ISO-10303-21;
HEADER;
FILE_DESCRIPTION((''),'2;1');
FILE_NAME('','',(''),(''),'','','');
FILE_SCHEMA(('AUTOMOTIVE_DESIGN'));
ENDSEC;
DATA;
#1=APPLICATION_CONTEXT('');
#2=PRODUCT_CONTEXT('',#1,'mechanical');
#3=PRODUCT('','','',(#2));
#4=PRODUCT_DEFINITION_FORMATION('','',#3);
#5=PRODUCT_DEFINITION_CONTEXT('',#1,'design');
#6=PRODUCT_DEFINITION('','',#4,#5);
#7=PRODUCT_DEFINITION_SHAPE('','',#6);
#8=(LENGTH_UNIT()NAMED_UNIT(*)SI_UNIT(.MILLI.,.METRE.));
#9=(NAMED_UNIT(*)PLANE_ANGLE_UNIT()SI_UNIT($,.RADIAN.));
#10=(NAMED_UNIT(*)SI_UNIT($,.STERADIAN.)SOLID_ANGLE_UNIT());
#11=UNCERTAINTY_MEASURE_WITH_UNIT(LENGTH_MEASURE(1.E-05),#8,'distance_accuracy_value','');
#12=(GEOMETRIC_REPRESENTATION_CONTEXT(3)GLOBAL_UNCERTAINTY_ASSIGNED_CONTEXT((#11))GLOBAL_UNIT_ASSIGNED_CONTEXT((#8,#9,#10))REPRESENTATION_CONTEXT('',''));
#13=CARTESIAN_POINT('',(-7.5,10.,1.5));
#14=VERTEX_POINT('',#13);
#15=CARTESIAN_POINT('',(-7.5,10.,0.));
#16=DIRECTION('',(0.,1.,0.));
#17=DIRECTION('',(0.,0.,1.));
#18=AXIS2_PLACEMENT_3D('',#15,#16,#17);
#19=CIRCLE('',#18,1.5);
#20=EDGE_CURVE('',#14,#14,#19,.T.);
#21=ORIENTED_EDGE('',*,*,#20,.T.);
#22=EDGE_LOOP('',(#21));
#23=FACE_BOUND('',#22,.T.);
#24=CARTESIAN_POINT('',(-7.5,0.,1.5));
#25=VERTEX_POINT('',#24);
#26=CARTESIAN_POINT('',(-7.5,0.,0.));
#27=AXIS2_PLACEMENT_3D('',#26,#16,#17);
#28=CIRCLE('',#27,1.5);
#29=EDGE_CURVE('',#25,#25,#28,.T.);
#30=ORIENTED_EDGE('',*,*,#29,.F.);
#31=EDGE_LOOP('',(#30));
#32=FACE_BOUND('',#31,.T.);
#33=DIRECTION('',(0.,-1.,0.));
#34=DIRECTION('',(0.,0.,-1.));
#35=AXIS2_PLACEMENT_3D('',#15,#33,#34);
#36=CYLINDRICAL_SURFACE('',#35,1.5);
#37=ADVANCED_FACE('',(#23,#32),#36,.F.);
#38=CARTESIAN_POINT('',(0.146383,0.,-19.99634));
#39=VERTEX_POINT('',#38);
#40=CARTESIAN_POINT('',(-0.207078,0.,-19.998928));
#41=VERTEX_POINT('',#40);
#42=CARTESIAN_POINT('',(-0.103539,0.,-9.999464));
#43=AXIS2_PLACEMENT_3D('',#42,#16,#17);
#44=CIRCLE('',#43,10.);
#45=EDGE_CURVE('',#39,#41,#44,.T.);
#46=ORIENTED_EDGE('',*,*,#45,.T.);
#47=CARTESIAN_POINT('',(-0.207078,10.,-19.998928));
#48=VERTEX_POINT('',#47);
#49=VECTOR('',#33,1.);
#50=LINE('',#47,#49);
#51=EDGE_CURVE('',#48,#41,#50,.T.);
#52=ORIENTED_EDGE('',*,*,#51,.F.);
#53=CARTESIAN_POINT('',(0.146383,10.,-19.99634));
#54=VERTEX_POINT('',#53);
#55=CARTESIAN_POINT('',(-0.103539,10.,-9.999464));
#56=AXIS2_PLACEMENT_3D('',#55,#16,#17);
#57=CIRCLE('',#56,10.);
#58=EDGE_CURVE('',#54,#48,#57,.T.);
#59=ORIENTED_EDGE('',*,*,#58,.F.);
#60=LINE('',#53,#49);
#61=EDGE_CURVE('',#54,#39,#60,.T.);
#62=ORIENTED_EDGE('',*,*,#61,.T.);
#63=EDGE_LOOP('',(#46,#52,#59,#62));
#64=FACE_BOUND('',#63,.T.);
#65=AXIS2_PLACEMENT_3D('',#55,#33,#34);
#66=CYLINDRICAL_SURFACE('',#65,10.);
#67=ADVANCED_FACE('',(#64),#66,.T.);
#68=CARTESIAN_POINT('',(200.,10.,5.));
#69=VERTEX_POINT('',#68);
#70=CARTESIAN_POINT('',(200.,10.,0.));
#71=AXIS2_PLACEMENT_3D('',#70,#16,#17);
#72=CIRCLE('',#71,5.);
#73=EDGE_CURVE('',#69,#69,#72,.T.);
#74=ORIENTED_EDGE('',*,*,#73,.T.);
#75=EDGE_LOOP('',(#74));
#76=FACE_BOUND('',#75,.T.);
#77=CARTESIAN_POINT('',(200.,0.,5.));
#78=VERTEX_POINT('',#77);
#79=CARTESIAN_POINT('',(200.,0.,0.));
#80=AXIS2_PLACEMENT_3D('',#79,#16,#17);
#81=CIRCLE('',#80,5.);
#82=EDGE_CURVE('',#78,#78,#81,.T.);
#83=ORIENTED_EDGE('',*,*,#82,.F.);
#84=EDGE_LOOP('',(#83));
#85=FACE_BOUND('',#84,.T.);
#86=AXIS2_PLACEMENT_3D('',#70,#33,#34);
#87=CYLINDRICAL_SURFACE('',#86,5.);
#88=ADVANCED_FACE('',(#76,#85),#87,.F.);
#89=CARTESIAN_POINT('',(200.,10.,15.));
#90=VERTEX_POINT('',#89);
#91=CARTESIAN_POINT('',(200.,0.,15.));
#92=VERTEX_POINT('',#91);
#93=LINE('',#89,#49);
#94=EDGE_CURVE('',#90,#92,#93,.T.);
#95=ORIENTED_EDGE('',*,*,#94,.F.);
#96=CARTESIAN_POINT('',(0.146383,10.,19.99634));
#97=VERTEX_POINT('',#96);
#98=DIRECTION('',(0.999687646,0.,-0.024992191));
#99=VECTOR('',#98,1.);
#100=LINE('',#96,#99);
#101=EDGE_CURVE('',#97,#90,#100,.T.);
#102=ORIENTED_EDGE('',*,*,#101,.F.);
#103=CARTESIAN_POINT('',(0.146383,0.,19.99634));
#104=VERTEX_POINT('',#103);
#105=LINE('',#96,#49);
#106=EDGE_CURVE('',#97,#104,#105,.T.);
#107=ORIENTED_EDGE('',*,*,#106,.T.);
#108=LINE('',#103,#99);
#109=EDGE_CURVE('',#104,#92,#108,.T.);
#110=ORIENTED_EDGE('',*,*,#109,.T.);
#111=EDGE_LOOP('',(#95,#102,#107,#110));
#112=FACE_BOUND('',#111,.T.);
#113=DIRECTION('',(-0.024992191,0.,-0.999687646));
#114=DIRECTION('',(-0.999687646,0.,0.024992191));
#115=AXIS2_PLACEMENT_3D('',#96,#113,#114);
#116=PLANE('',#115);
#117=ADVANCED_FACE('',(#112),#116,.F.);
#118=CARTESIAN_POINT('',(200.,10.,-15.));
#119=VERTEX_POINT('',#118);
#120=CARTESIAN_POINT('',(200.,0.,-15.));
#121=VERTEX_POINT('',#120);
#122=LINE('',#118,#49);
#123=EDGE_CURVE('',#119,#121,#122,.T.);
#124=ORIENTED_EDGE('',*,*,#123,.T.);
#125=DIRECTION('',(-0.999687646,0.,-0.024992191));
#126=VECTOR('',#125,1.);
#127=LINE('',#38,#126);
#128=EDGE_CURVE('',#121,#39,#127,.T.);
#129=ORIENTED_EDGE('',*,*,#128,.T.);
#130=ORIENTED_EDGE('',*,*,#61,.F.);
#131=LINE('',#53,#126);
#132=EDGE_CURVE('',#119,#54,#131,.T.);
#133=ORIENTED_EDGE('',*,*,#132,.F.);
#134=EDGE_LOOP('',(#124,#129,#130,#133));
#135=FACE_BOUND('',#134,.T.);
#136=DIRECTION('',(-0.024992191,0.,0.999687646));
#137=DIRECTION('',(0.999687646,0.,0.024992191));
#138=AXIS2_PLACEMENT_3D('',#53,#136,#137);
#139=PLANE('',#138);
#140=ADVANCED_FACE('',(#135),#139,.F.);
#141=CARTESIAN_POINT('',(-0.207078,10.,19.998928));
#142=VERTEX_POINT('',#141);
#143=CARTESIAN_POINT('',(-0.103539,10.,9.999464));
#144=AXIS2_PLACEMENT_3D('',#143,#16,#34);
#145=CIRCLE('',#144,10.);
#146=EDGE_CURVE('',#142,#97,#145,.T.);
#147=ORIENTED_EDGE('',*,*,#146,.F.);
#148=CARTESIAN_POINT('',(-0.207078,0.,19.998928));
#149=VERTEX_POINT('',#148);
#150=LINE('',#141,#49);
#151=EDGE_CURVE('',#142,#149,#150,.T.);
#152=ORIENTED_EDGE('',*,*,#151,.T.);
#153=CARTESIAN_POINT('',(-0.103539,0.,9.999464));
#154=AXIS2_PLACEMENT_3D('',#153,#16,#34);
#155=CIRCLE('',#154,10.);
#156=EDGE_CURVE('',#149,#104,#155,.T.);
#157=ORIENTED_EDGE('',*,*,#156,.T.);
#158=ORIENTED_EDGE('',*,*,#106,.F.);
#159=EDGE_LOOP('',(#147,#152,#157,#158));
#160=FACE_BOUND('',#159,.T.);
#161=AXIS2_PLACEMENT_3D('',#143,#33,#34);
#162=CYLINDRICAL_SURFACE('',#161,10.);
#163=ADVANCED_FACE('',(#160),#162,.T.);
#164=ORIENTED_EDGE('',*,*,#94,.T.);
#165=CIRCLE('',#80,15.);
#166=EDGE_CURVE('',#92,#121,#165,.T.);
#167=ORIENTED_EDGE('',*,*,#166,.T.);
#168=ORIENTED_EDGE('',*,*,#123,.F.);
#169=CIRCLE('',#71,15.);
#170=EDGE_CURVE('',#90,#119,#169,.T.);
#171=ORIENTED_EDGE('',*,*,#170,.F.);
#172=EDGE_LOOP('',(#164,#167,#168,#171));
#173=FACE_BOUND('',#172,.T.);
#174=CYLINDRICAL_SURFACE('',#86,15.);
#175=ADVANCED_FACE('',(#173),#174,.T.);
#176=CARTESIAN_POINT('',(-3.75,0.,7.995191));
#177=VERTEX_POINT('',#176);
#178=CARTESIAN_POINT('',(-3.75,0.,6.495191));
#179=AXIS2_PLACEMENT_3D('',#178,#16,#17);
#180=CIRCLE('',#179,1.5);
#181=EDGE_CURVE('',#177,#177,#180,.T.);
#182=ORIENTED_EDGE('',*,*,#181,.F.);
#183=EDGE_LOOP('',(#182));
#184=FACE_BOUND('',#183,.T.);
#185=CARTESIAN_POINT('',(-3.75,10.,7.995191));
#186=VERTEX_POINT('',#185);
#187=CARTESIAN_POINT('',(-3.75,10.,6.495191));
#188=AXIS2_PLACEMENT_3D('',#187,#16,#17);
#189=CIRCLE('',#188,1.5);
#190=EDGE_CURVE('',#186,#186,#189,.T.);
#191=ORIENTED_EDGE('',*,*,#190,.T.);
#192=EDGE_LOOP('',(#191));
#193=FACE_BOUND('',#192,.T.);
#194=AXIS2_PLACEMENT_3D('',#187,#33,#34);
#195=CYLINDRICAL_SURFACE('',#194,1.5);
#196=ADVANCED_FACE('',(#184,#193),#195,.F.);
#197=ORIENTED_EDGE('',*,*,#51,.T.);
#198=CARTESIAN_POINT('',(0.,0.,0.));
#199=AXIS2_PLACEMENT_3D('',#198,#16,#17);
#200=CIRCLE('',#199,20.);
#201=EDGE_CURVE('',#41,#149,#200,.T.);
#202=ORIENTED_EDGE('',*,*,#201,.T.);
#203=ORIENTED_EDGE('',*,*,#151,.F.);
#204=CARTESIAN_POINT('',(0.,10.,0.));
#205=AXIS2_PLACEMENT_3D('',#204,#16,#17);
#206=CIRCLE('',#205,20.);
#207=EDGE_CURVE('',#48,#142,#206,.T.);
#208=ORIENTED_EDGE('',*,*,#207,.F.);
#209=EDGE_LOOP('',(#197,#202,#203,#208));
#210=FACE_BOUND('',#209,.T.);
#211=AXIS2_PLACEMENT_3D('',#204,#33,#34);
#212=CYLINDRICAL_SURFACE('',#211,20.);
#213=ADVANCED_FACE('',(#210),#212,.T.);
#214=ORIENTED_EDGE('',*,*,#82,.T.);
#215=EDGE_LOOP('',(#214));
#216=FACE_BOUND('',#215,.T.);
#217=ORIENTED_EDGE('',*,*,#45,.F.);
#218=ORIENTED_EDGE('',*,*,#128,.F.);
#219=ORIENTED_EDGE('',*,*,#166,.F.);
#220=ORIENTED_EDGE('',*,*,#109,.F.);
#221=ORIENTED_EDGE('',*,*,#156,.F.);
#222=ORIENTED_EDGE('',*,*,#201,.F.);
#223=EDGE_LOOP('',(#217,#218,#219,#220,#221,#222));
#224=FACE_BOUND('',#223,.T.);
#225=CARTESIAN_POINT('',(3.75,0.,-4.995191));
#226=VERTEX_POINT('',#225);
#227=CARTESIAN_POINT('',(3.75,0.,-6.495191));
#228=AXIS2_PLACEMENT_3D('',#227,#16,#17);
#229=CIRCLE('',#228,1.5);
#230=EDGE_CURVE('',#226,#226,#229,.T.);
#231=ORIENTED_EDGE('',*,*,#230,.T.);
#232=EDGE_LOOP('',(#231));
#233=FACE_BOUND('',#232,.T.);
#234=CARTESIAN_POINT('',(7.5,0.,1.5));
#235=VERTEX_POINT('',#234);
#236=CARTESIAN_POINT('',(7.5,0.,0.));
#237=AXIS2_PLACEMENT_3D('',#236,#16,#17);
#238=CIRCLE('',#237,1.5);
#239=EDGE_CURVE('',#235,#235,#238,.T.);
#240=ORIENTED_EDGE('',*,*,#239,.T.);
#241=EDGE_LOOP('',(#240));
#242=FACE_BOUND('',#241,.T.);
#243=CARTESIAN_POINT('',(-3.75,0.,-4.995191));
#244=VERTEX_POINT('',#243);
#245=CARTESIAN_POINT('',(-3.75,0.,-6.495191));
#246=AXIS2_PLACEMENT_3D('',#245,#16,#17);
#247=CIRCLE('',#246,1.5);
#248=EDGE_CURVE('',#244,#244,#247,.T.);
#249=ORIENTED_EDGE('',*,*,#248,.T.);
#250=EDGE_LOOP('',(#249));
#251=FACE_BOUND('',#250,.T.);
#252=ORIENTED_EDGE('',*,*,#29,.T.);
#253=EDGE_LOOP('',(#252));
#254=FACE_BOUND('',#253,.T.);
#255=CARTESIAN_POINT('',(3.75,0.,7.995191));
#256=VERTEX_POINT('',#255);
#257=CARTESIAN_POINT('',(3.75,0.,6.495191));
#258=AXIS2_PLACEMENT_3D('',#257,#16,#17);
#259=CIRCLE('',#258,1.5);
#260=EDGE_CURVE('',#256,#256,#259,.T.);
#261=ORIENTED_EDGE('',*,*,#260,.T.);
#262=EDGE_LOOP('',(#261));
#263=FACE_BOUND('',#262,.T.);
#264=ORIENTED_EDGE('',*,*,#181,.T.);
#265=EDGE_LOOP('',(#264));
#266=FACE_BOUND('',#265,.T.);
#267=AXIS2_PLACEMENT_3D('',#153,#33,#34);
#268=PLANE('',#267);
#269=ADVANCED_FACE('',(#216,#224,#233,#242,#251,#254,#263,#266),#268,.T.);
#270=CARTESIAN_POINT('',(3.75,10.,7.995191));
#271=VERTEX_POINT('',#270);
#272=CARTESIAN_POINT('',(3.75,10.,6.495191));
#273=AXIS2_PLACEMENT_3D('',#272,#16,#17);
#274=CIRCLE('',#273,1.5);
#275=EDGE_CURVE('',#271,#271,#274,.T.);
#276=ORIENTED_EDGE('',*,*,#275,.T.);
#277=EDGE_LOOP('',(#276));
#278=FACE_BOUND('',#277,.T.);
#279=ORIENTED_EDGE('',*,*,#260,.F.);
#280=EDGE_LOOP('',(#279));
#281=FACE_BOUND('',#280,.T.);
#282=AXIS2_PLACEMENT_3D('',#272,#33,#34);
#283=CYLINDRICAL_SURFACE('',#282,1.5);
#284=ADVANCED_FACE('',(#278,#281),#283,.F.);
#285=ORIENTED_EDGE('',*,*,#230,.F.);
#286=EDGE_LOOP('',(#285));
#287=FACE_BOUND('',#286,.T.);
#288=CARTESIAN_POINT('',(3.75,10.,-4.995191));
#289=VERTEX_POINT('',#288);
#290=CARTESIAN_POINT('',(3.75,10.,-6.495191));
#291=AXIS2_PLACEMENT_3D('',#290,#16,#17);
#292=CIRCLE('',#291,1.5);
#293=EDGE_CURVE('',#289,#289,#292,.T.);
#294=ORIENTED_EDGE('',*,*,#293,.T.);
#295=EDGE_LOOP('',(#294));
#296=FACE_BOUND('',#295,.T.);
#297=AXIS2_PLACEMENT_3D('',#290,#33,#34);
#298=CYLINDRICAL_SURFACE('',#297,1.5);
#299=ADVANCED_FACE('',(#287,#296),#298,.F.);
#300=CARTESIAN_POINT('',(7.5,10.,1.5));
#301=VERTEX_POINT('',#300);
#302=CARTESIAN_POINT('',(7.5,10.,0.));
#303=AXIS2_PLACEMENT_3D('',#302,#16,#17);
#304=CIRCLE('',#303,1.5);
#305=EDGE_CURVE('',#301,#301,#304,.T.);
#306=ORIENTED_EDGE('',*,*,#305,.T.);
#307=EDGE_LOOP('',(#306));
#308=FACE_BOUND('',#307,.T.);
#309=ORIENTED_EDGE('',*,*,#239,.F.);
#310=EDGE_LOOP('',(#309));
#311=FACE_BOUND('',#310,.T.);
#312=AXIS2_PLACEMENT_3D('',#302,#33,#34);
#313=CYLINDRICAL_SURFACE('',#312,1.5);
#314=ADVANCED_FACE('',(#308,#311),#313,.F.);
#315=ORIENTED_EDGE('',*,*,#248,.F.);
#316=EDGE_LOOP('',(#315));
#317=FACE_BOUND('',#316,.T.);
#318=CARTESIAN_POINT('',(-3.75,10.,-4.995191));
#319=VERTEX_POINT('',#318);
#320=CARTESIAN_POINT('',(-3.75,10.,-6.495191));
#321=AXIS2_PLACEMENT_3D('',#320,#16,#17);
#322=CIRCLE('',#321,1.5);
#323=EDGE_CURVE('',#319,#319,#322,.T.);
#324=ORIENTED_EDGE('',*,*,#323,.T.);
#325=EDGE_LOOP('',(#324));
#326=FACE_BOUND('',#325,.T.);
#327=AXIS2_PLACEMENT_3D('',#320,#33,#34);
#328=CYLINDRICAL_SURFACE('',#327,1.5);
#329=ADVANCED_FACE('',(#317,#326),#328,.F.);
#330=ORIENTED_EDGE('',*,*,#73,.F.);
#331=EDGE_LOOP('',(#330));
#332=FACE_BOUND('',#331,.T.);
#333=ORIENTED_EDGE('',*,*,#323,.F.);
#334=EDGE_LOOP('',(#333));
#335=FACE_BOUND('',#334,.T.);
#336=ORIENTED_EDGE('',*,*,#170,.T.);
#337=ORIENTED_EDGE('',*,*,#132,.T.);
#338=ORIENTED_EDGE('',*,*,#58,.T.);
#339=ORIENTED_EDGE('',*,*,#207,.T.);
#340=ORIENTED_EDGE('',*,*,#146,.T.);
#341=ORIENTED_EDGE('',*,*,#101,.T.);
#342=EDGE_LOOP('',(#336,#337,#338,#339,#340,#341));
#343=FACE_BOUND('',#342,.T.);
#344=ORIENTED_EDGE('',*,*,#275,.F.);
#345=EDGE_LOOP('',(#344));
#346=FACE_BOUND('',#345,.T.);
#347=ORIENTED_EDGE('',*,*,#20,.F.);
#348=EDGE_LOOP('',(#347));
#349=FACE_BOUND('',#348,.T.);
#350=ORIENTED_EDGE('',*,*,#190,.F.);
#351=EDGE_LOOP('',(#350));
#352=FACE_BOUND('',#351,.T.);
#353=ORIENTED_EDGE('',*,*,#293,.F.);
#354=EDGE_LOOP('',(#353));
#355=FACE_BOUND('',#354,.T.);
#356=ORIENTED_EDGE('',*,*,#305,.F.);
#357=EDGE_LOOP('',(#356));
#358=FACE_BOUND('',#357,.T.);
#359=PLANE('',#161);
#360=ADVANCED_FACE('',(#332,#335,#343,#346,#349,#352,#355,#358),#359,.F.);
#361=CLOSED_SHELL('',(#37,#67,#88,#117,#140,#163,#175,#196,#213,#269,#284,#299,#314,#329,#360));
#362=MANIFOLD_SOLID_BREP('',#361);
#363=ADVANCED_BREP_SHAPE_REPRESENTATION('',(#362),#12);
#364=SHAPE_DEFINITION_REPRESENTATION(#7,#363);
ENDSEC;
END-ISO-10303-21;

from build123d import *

# Parameters (mm, degrees)
CROQUIS1_R              = 1.5
CROQUIS1_R_2            = 5
SALIENTE_EXTRUIR1_DEPTH = 10


with BuildPart() as part:
    # Croquis1 → Saliente-Extruir1 (new body)
    with BuildSketch(Plane(origin=(0, 0, 0), x_dir=(1, 0, 0), z_dir=(0, 1, 0))):
        with BuildLine():
            Line((0.146382734, 19.996340432), (200, 15))
            ThreePointArc((200, 15), (215, 0), (200, -15))
            Line((200, -15), (0.146382734, -19.996340432))
            ThreePointArc((0.146382734, -19.996340432), (-0.030336377, -19.999196031), (-0.207078355, -19.998927935))
            ThreePointArc((-0.207078355, -19.998927935), (-20, 0), (-0.207078355, 19.998927935))
            ThreePointArc((-0.207078355, 19.998927935), (-0.030336377, 19.999196031), (0.146382734, 19.996340432))
        make_face()
        with Locations(Location((7.5, 0, 0), (0, 0, 270))):
            Circle(CROQUIS1_R, mode=Mode.SUBTRACT)
        with Locations(Location((3.75, -6.495190528, 0), (0, 0, 270))):
            Circle(CROQUIS1_R, mode=Mode.SUBTRACT)
        with Locations(Location((-3.75, -6.495190528, 0), (0, 0, 270))):
            Circle(CROQUIS1_R, mode=Mode.SUBTRACT)
        with Locations(Location((-7.5, 0, 0), (0, 0, 270))):
            Circle(CROQUIS1_R, mode=Mode.SUBTRACT)
        with Locations(Location((-3.75, 6.495190528, 0), (0, 0, 270))):
            Circle(CROQUIS1_R, mode=Mode.SUBTRACT)
        with Locations(Location((3.75, 6.495190528, 0), (0, 0, 270))):
            Circle(CROQUIS1_R, mode=Mode.SUBTRACT)
        with Locations(Location((200, 0, 0), (0, 0, 270))):
            Circle(CROQUIS1_R_2, mode=Mode.SUBTRACT)
    extrude(amount=SALIENTE_EXTRUIR1_DEPTH)


solid = part.part
